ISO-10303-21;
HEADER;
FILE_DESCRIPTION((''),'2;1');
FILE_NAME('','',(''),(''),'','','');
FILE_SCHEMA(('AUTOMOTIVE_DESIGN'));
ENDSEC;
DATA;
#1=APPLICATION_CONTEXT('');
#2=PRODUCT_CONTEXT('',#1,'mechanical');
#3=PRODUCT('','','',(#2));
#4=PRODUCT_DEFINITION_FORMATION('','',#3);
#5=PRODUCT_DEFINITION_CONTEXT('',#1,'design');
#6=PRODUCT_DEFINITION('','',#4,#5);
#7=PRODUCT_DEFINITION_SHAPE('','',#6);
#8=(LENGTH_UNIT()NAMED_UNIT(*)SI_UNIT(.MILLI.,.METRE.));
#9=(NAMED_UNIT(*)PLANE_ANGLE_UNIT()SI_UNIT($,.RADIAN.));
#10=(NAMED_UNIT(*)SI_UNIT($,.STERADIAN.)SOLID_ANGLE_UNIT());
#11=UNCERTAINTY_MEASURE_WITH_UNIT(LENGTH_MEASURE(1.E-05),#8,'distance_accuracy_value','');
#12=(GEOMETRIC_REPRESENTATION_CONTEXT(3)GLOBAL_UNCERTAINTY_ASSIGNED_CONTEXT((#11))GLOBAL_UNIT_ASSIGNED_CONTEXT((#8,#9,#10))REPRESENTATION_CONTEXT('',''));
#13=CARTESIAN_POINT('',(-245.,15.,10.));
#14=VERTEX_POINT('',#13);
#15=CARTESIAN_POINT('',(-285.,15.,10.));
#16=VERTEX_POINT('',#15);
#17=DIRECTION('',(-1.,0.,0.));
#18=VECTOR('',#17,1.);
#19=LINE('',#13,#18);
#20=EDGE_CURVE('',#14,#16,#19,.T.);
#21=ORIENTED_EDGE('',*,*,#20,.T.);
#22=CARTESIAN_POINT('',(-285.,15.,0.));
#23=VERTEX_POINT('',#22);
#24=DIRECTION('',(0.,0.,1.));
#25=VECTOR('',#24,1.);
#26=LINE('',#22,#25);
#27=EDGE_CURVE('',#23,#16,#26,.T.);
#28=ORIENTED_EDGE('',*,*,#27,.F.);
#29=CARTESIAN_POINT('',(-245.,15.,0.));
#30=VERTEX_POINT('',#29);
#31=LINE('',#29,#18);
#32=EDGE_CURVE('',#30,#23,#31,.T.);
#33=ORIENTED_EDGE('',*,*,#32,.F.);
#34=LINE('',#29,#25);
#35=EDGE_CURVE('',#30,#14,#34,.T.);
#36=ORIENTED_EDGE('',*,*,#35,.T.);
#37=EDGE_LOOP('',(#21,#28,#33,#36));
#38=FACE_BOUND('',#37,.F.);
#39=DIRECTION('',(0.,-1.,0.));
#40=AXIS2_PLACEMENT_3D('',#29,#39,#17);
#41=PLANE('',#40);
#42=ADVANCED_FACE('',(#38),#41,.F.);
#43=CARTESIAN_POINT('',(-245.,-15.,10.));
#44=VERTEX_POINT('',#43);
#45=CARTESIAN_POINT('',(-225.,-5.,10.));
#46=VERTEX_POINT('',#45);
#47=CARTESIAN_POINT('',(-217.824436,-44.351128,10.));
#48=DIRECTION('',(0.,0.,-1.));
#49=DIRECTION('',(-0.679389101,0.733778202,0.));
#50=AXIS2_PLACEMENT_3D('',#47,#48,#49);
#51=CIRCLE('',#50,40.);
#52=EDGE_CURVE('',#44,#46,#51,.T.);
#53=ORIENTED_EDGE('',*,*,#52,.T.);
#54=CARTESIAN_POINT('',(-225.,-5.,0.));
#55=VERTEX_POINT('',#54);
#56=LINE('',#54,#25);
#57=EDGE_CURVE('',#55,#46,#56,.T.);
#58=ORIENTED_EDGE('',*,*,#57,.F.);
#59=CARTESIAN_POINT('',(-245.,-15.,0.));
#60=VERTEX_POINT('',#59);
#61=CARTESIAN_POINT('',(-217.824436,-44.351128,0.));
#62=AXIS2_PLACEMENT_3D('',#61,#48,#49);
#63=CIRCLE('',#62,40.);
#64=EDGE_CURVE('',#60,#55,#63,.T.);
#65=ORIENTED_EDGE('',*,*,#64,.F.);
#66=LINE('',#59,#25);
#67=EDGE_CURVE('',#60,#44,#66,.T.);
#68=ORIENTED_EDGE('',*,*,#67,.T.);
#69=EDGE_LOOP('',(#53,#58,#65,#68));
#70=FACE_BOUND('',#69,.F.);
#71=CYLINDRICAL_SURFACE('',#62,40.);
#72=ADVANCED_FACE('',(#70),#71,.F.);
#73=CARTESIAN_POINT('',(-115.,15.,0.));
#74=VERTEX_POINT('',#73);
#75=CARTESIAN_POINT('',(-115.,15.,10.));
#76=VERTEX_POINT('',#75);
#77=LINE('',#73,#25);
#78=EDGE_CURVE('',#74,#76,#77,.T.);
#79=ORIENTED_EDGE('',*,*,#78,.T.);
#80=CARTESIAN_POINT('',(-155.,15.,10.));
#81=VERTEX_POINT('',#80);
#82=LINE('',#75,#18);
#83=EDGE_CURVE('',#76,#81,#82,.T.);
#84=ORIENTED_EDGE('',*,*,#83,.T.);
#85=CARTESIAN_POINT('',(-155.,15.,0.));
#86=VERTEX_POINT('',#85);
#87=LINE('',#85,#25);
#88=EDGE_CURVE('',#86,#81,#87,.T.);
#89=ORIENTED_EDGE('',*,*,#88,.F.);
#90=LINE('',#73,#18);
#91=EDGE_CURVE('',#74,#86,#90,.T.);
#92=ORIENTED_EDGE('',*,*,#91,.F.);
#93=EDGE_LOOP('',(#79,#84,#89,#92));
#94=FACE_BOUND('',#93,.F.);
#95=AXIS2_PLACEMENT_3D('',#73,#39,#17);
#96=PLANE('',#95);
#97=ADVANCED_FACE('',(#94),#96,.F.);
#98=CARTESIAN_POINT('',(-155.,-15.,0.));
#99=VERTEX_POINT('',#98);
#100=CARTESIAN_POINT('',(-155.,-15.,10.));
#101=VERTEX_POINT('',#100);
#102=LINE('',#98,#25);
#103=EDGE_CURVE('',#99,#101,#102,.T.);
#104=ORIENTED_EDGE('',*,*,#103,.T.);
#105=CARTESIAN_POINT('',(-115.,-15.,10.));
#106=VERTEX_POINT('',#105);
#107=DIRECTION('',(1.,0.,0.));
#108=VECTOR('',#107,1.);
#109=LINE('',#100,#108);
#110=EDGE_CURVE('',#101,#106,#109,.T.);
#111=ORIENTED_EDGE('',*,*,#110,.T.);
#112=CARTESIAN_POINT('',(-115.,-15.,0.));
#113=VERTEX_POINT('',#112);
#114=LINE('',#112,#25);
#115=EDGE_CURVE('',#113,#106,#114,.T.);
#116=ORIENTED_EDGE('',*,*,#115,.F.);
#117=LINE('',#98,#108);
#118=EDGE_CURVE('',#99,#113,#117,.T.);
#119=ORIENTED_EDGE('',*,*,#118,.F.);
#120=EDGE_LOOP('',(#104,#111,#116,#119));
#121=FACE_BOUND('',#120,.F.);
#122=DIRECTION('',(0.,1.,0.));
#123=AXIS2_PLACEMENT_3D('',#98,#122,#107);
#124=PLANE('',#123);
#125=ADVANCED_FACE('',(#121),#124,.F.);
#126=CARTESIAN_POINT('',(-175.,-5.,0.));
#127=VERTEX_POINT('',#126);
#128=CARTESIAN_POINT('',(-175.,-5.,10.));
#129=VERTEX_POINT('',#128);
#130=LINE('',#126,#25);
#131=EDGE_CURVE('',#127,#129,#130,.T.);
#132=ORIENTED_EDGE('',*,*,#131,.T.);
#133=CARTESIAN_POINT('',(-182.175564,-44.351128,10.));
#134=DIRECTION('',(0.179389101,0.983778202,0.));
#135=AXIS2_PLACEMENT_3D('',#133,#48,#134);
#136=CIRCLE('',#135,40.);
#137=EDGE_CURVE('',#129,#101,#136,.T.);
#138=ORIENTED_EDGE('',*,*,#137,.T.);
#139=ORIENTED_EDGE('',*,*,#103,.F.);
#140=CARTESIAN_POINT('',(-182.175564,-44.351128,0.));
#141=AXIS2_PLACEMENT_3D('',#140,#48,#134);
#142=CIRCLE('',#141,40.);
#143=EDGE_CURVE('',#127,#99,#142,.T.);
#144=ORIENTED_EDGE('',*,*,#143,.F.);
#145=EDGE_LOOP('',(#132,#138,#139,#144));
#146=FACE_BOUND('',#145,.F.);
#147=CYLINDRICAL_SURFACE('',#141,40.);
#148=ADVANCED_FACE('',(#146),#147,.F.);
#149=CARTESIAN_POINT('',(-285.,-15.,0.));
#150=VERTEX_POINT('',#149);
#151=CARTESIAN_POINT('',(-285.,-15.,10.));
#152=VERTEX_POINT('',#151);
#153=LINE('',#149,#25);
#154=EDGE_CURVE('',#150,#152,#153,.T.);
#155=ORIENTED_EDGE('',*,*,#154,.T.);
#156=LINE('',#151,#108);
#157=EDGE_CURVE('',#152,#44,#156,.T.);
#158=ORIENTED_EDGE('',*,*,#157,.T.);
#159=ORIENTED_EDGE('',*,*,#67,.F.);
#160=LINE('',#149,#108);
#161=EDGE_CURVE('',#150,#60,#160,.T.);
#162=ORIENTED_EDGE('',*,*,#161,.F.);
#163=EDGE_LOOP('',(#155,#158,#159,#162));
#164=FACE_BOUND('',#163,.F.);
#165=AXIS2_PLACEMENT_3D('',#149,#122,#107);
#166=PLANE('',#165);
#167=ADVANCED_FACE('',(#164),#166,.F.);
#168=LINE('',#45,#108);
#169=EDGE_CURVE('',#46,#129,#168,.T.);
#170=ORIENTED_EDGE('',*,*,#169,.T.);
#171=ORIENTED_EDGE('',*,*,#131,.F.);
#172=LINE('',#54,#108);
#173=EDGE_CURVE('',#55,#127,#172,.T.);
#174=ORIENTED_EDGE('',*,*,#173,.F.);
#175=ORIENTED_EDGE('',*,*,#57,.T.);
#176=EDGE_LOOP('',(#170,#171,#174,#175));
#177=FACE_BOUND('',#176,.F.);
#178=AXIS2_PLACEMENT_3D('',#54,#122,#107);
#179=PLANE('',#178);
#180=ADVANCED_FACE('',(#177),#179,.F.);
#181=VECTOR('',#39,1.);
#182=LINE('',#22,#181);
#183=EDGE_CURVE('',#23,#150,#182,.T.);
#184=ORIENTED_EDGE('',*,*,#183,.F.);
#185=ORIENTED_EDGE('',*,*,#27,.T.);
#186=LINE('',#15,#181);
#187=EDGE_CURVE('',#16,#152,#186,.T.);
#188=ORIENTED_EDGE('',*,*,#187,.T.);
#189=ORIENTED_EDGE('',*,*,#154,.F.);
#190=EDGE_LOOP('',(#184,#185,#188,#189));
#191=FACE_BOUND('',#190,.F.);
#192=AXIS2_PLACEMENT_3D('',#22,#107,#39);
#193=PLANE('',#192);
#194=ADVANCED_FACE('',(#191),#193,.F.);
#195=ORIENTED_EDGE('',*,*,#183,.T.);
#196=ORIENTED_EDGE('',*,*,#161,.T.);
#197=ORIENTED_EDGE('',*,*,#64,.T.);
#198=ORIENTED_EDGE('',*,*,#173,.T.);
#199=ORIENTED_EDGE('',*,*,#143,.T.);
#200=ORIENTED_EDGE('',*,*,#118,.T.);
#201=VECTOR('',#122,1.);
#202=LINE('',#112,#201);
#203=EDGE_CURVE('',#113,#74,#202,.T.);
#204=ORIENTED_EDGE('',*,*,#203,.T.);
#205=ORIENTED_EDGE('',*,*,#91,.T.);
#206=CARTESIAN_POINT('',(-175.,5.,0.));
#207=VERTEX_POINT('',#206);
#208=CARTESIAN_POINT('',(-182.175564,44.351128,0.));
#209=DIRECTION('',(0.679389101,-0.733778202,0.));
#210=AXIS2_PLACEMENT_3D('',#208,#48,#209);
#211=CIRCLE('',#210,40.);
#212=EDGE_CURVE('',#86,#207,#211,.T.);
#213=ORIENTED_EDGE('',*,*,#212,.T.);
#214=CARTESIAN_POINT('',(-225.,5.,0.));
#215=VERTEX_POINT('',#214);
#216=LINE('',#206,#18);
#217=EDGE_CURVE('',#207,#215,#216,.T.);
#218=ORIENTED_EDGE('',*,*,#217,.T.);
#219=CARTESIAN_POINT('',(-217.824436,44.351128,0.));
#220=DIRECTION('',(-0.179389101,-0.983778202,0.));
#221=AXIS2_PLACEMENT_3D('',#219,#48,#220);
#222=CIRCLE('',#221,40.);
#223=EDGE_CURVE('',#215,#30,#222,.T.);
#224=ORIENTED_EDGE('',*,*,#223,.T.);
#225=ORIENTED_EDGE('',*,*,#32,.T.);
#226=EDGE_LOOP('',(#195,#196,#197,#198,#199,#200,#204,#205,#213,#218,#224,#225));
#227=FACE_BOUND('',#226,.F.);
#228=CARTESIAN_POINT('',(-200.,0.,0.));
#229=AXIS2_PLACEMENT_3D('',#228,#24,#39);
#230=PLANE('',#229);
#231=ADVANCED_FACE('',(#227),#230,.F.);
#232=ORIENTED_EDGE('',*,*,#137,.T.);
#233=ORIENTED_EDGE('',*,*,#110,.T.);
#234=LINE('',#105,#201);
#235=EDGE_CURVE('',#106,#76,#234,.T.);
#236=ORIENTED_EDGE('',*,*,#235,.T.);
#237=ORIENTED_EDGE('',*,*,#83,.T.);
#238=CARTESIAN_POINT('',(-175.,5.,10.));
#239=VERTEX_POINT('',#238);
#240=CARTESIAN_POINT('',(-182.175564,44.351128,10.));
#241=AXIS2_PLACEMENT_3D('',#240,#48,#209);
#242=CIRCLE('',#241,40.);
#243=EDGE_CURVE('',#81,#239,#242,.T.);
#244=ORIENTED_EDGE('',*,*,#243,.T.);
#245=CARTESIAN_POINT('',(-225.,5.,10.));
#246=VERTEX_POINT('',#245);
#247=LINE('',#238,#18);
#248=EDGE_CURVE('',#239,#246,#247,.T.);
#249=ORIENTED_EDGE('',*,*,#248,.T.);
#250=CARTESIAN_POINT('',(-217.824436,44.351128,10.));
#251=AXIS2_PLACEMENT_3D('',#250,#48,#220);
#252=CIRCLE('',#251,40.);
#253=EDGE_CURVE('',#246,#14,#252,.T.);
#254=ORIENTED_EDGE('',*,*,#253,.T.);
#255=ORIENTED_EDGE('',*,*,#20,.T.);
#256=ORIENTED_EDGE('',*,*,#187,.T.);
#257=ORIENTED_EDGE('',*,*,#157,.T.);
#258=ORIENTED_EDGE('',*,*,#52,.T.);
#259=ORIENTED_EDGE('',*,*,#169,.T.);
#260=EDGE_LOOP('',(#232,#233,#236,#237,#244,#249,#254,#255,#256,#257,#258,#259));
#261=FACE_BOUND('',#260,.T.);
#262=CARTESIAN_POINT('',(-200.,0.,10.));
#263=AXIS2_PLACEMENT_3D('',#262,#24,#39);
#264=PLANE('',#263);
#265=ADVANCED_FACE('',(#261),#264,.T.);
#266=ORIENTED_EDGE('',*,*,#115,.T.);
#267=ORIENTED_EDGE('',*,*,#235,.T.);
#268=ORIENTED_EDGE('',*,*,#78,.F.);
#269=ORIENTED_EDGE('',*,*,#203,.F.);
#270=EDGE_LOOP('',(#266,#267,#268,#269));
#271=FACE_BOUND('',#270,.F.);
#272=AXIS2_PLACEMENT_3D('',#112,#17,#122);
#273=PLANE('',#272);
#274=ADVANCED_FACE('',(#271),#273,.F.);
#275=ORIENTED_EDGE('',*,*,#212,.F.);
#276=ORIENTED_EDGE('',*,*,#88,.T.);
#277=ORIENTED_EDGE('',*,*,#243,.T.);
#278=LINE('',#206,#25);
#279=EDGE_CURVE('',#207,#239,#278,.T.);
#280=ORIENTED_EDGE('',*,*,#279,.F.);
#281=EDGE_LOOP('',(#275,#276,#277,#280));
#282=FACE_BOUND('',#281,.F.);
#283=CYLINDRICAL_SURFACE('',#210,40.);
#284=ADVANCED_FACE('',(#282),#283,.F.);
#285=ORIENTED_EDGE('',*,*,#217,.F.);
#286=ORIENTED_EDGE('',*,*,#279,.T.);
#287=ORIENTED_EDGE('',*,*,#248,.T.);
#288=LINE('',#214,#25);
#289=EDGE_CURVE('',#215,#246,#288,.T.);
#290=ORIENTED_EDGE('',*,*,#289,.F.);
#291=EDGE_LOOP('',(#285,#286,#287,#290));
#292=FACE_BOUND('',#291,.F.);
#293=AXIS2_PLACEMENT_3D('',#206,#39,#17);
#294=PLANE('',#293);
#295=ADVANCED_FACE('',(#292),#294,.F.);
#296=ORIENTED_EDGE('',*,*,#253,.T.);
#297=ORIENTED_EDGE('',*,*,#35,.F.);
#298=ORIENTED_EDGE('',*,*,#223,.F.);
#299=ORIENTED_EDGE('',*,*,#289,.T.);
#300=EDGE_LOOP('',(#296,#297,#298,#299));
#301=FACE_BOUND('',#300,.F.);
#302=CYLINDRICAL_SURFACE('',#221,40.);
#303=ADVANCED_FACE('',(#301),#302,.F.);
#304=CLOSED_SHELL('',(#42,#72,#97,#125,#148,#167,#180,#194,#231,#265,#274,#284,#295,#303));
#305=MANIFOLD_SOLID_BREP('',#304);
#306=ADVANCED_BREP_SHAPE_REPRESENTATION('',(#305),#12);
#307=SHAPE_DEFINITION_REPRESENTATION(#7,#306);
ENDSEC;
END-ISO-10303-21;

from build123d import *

# Parameters (mm, degrees)
F1_DEPTH = 10
F2_ANGLE = 90


with BuildPart() as f1:
    # F0 (on Top) → F1 (new body)
    with BuildSketch(Plane.XY):
        with BuildLine():
            Line((-15, -85), (15, -85))
            Line((15, -85), (15, -45))
            ThreePointArc((15, -45), (8.5740404346, -35.7129797827), (5, -25))
            Line((5, -25), (5, 25))
            ThreePointArc((5, 25), (8.5740404346, 35.7129797827), (15, 45))
            Line((15, 45), (15, 85))
            Line((15, 85), (-15, 85))
            Line((-15, 85), (-15, 45))
            ThreePointArc((-15, 45), (-8.5740404346, 35.7129797827), (-5, 25))
            Line((-5, 25), (-5, -25))
            ThreePointArc((-5, -25), (-8.5740404346, -35.7129797827), (-15, -45))
            Line((-15, -45), (-15, -85))
        make_face()
    extrude(amount=F1_DEPTH)


with BuildPart() as f1_1:
    # F2: moved
    add(f1.part.rotate(Axis((-15, -85, 5), (0, 0, -1)), F2_ANGLE))


with BuildPart() as f1_2:
    # F3: moved
    add(f1_1.part.moved(Location((-70, 100, 0))))


with BuildPart() as f1_3:
    # F4: moved
    add(f1_2.part.moved(Location((-200, 0, 0))))


solid = f1_3.part
